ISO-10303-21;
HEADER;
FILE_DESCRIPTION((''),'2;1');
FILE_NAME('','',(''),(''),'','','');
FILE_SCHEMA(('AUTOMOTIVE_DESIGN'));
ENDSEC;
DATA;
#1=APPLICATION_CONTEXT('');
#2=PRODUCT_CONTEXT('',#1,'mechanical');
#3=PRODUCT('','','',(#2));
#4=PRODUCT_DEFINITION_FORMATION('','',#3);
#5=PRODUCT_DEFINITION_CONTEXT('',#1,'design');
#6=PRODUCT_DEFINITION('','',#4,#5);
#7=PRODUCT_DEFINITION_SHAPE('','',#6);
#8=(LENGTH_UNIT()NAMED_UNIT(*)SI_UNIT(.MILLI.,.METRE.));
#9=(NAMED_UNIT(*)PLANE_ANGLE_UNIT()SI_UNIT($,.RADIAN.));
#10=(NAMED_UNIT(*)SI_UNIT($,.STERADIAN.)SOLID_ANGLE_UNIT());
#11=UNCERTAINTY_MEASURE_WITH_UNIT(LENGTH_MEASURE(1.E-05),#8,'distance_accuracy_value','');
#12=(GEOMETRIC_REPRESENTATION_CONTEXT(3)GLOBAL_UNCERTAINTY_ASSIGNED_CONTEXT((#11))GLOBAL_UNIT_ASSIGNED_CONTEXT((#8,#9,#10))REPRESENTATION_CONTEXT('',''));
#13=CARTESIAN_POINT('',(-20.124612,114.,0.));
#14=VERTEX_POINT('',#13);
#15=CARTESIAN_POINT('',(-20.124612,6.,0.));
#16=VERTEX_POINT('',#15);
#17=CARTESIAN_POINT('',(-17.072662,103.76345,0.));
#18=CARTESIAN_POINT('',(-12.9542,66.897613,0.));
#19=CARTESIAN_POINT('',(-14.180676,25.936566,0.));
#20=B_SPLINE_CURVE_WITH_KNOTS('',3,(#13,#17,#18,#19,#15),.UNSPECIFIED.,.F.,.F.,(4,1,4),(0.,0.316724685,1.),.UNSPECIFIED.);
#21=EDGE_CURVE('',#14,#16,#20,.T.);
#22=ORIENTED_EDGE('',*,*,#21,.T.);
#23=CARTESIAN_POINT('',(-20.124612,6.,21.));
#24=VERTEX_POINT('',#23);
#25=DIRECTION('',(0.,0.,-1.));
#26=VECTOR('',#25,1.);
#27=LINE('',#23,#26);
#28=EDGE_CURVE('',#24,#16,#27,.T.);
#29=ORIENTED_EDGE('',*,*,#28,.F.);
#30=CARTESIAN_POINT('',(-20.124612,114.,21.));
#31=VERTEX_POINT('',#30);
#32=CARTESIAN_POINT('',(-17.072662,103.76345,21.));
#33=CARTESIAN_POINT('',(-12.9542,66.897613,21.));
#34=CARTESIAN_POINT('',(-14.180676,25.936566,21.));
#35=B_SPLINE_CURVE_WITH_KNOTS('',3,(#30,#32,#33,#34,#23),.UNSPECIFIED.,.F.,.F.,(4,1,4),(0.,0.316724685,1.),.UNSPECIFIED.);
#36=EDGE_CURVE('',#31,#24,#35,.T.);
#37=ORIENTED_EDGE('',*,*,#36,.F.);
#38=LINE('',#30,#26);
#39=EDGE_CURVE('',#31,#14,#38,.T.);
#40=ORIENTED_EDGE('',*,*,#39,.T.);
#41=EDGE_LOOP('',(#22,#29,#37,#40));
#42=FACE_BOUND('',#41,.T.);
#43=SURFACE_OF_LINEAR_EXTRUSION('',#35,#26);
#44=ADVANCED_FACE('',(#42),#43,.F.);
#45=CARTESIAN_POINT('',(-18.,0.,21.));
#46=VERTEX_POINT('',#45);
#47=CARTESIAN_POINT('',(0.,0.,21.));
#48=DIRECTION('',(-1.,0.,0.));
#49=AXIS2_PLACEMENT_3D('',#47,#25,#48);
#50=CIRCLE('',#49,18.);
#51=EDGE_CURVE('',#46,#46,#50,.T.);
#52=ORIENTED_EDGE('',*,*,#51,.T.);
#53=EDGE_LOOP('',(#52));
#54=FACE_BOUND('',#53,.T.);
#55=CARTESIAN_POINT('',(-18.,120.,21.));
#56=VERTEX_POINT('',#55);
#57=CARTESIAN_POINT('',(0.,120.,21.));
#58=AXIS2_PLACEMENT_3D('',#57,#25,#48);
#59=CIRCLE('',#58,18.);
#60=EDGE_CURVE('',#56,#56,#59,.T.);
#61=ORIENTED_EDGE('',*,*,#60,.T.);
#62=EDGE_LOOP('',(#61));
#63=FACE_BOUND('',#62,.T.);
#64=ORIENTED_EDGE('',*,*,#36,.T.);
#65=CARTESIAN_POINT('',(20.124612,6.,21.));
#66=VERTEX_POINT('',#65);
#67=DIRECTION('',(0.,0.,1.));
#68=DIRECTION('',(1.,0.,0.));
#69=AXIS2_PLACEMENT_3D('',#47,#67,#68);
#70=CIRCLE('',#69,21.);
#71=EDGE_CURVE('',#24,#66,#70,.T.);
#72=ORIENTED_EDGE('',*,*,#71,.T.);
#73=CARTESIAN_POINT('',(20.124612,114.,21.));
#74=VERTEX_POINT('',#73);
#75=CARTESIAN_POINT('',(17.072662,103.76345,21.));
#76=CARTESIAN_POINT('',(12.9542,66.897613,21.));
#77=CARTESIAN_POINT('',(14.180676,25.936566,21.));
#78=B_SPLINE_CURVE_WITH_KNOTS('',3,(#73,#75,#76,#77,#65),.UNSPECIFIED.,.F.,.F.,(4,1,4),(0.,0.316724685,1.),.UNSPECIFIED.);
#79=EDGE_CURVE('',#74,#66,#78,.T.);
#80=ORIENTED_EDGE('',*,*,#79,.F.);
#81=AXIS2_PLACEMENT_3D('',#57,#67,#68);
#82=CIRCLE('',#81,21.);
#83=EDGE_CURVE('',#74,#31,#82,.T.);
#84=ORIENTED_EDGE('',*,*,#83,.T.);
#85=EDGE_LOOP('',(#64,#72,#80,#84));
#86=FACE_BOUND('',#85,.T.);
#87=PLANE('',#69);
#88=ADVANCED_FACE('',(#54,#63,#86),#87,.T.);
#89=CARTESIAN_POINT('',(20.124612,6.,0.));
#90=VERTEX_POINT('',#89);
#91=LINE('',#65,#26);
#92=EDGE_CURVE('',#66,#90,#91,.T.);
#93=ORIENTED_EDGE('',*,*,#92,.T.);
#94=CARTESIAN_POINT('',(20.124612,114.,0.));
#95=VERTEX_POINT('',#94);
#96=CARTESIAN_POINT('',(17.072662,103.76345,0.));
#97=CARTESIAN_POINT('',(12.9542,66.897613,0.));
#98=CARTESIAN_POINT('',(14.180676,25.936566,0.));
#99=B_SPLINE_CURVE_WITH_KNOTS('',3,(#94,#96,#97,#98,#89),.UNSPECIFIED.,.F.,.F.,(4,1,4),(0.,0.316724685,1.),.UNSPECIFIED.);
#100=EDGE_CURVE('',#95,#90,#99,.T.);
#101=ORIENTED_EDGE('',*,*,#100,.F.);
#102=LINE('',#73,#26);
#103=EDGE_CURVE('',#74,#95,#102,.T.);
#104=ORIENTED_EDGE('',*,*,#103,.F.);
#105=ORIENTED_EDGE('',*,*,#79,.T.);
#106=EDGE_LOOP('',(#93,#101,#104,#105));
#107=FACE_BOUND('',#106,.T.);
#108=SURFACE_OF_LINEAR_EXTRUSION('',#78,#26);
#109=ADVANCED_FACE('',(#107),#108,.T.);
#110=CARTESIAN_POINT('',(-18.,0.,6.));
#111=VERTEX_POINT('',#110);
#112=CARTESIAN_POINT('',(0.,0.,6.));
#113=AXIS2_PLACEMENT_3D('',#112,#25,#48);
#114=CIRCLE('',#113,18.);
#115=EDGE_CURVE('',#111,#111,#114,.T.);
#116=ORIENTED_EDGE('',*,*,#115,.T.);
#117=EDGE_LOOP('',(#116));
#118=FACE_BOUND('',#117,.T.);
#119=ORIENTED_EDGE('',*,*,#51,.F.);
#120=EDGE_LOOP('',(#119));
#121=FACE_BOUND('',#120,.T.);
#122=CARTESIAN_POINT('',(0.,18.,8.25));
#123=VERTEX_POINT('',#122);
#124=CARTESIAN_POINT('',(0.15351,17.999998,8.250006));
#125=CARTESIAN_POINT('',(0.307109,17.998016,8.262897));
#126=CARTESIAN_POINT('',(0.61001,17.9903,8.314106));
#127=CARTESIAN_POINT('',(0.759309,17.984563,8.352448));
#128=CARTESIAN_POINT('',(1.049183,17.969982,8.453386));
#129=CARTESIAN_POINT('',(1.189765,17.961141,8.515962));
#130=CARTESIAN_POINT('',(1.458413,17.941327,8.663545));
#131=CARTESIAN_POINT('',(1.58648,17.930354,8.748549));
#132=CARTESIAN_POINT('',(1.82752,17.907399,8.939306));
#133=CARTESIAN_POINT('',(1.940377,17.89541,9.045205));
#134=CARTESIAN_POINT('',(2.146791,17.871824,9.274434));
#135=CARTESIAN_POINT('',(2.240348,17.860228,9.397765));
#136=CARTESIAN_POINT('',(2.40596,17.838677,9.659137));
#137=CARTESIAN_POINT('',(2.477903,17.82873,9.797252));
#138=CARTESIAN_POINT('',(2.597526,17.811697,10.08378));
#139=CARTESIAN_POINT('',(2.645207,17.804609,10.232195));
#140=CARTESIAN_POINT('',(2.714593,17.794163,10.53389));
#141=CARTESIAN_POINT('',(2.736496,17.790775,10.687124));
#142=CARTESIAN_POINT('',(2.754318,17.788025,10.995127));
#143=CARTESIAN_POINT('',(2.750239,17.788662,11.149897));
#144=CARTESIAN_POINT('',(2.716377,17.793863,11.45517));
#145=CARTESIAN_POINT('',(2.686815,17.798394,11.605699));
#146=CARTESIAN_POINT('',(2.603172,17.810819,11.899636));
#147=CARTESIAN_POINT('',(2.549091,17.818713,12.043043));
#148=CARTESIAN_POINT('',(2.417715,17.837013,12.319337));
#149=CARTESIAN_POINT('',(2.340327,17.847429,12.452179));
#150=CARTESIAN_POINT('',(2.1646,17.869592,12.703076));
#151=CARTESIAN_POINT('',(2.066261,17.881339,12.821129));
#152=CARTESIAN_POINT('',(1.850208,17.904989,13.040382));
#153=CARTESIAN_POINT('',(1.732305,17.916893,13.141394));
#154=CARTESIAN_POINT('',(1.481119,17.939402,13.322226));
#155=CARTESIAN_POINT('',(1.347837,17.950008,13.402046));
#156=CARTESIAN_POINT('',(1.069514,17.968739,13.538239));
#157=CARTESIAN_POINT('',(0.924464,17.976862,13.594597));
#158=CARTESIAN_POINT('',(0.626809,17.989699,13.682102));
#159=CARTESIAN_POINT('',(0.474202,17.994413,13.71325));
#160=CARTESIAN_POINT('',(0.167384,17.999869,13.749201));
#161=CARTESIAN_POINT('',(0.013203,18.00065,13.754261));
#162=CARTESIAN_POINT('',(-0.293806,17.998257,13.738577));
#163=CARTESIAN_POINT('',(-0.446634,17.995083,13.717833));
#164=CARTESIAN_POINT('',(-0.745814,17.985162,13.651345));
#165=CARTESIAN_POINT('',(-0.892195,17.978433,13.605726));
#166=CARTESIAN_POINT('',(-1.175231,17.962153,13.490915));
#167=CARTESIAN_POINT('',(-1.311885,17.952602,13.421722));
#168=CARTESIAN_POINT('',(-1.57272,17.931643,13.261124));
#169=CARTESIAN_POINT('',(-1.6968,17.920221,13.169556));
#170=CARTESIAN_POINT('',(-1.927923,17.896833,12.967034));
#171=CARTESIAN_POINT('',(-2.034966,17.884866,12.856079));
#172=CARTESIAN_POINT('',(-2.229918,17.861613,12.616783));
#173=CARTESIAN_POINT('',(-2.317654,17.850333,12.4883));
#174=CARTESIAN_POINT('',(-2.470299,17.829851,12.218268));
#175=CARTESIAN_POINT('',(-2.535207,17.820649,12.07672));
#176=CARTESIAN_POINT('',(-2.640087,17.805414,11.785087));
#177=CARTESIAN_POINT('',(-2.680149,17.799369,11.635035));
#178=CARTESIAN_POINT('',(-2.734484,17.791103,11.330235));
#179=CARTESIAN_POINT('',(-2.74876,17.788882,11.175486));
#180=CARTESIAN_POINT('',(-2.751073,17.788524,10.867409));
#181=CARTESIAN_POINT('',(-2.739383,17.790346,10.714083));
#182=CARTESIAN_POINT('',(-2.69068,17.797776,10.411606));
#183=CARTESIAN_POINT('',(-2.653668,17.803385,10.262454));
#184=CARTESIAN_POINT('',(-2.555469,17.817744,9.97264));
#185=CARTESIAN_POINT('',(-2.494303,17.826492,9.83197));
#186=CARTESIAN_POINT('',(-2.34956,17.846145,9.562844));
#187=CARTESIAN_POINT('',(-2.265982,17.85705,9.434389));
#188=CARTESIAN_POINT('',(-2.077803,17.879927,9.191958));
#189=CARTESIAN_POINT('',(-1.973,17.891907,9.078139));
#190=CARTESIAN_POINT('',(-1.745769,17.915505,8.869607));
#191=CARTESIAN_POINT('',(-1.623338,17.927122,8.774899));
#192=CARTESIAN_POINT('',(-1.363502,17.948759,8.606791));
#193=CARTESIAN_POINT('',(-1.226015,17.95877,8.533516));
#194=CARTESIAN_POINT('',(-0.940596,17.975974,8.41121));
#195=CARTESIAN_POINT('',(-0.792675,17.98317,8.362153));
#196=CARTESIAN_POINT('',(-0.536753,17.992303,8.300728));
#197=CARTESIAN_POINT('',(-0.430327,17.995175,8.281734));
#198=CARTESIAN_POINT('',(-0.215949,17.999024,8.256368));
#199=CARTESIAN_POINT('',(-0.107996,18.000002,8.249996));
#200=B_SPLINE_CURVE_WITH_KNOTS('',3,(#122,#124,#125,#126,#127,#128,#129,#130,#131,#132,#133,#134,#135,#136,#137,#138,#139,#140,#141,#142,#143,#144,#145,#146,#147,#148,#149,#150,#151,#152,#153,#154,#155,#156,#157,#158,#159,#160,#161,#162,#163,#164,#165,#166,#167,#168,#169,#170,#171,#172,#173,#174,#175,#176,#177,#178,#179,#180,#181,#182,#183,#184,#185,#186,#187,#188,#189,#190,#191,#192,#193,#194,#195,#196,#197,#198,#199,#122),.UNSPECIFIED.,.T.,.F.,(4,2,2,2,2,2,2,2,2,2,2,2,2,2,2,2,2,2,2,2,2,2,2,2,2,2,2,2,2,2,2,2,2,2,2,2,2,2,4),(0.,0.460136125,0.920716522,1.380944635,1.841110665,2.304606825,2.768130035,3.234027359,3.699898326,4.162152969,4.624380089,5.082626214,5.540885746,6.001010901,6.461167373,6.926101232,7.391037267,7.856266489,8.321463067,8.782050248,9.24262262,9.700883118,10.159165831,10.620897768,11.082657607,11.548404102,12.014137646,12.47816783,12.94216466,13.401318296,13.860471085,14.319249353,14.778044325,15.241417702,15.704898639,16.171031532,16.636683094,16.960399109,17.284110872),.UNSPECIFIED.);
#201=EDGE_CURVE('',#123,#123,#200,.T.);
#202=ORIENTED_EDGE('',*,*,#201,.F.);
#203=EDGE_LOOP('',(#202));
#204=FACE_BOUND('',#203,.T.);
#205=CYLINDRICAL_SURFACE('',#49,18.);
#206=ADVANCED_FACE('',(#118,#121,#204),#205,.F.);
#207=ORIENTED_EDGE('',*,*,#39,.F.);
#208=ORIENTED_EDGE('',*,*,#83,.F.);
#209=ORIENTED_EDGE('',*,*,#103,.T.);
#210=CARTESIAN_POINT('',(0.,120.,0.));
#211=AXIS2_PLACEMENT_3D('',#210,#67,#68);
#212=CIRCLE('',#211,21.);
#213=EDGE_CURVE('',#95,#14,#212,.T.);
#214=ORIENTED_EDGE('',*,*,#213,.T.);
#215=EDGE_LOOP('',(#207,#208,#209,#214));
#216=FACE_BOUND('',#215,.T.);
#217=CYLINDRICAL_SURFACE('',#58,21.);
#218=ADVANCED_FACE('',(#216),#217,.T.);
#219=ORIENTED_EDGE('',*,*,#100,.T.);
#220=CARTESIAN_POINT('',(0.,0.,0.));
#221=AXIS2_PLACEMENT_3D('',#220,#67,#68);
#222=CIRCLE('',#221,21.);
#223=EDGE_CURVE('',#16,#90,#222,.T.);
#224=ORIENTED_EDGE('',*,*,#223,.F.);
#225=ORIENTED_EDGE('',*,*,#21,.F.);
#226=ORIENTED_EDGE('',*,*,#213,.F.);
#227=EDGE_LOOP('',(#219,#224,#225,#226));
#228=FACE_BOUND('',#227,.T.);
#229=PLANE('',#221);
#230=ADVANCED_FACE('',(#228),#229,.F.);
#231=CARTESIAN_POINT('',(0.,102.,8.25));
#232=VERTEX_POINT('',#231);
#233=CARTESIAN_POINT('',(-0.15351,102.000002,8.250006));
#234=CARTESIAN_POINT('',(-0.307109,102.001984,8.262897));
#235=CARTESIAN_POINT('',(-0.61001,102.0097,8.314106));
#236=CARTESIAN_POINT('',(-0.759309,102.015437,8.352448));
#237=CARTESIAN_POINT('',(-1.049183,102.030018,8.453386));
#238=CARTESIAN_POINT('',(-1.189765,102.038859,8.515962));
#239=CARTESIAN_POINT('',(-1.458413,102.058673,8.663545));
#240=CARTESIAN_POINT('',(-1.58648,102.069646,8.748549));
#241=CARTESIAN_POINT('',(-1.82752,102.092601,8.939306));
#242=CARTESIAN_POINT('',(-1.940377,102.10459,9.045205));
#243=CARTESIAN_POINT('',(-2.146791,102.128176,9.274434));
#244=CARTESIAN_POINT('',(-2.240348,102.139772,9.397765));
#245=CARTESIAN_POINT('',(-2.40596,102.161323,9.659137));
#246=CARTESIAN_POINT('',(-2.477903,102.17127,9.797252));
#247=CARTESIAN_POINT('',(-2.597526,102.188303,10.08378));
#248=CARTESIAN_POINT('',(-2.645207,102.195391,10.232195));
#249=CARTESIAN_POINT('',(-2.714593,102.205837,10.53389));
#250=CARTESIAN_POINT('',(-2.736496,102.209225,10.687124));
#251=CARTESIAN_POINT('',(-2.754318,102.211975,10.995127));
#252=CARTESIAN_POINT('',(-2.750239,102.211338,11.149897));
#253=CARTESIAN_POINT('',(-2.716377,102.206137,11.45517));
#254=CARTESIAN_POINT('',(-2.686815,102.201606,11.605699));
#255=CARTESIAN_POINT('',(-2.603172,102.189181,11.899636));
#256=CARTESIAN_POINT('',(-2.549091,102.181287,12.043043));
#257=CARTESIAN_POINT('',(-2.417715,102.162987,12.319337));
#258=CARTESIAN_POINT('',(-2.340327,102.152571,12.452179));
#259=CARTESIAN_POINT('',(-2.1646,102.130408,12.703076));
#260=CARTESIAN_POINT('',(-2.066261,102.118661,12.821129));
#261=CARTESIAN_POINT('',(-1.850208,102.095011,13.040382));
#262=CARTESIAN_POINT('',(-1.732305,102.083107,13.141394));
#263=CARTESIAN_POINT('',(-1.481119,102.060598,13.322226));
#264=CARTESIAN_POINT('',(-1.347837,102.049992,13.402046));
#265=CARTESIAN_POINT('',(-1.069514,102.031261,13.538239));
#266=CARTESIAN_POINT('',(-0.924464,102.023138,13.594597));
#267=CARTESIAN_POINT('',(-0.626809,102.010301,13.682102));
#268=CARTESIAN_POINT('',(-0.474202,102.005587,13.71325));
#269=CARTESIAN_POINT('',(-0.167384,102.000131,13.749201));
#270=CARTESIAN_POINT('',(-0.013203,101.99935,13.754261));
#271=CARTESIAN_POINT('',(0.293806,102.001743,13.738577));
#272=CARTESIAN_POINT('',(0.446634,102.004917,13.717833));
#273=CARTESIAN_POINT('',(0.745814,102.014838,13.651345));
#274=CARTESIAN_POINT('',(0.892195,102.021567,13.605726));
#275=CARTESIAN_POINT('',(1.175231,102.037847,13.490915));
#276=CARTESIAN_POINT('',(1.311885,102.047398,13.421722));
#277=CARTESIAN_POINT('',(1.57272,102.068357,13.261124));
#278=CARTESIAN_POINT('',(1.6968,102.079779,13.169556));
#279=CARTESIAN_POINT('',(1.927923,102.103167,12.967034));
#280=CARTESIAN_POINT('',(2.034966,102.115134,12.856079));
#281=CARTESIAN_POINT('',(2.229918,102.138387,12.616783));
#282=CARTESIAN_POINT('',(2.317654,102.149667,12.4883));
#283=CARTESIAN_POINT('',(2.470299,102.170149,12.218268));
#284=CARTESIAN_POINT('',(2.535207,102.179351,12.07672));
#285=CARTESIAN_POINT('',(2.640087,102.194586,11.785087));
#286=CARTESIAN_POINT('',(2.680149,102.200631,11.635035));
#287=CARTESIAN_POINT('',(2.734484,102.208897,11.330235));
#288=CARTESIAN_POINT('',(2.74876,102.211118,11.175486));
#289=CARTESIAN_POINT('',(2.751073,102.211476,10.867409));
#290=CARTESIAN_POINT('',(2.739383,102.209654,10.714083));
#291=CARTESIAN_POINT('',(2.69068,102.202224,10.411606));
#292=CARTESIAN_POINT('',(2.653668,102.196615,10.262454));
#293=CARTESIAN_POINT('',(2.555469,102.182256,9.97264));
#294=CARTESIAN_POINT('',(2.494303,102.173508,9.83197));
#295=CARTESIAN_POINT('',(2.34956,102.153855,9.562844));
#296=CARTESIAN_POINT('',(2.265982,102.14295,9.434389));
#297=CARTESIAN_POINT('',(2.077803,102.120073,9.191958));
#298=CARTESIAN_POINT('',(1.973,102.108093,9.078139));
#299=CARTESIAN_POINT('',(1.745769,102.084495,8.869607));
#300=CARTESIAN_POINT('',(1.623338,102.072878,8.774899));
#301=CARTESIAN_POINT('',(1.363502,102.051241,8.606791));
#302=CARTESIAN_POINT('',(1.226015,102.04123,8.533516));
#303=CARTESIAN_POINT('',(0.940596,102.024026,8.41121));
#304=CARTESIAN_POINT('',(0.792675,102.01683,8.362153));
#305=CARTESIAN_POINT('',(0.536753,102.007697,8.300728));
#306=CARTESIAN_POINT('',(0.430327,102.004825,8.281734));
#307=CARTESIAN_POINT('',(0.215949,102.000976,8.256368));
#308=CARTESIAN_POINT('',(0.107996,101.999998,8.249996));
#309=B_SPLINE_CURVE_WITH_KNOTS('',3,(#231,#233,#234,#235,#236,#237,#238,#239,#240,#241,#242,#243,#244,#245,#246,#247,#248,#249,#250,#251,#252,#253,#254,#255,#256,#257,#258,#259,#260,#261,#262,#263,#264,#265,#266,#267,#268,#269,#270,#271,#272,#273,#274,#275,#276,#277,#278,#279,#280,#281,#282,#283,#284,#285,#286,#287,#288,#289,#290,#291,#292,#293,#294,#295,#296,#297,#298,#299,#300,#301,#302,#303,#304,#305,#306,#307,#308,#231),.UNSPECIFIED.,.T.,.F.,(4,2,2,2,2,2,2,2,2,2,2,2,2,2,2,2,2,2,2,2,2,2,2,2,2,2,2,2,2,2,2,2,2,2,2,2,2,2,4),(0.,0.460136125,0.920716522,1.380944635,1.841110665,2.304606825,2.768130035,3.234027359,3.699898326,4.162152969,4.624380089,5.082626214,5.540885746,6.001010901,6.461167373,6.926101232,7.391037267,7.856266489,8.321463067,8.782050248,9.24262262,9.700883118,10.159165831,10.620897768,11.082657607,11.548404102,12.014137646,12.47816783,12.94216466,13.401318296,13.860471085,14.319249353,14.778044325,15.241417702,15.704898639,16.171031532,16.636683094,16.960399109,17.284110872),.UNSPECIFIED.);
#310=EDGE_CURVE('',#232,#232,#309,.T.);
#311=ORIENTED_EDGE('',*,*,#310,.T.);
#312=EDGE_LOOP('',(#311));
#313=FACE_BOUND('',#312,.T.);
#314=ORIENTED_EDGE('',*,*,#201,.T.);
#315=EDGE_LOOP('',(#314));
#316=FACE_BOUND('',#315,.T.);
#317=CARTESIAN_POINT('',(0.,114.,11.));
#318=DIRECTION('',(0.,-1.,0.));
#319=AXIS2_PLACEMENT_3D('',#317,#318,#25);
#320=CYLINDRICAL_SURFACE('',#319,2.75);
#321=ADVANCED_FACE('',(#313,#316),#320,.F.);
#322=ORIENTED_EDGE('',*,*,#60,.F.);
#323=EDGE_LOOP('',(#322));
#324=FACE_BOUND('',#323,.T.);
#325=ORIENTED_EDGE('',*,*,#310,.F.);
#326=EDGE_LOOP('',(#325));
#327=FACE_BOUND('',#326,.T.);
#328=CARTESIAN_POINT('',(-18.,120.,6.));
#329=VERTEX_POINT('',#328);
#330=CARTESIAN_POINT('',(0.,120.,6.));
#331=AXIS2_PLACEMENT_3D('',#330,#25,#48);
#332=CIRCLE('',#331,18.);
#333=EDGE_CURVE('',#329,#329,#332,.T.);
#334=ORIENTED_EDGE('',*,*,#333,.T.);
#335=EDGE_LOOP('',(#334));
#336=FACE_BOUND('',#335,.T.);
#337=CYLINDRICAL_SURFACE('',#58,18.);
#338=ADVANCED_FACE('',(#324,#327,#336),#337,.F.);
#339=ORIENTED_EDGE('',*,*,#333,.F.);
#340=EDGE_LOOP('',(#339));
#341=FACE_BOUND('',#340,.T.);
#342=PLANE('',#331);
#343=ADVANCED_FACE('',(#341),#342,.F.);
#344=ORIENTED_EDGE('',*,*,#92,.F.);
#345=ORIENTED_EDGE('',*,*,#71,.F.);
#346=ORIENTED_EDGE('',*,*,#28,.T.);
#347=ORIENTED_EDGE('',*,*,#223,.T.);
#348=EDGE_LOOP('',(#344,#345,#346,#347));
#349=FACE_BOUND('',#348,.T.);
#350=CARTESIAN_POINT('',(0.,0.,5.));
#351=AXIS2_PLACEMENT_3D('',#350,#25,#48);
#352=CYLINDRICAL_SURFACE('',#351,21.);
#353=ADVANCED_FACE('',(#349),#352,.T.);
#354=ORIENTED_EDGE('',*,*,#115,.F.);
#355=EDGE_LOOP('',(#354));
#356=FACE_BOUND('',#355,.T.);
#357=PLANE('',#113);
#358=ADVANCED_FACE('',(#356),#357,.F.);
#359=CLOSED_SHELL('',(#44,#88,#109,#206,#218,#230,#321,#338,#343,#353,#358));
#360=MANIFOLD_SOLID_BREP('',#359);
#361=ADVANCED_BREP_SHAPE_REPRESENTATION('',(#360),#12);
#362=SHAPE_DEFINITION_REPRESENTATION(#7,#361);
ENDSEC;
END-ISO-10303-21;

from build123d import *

# Parameters (mm, degrees)
SKETCH1_R             = 21
BOSS_EXTRUDE2_DEPTH   = 5
BOSS_EXTRUDE2_2_DEPTH = 5
BOSS_EXTRUDE5_DEPTH   = 16
SKETCH8_R             = 18
CUT_EXTRUDE3_DEPTH    = 144.342247908
BOSS_EXTRUDE6_START   = 5
BOSS_EXTRUDE6_DEPTH   = 5
SKETCH10_R            = 2.75
CUT_EXTRUDE4_DEPTH    = 114


with BuildPart() as part:
    # Sketch1 → Boss-Extrude2 (new body)
    with BuildSketch(Plane.XY):
        with Locations((0, 120)):
            Circle(SKETCH1_R)
    extrude(amount=BOSS_EXTRUDE2_DEPTH)



with BuildPart() as body_2:
    # Sketch1 → Boss-Extrude2 2 (new body)
    with BuildSketch(Plane.XY):
        Circle(SKETCH1_R)
    extrude(amount=BOSS_EXTRUDE2_2_DEPTH)


with BuildPart() as part_1:
    add(part.part)

    add(body_2.part)  # Boss-Extrude5 merges body 2
    # Sketch5 → Boss-Extrude5 (add)
    with BuildSketch(Plane.XY.offset(5)):
        with BuildLine():
            add(Edge.make_bspline(
                [(-20.124611797, 114), (-17.072662318, 103.763450251), (-12.954200117, 66.897613413), (-14.18067636, 25.936565539), (-20.124611797, 6)],
                knots=[0, 0, 0, 0, 0.316724685, 1, 1, 1, 1], degree=3))
            ThreePointArc((-20.124611797, 6), (0, -21), (20.124611797, 6))
            add(Edge.make_bspline(
                [(20.124611797, 114), (17.072662318, 103.763450251), (12.954200117, 66.897613413), (14.18067636, 25.936565539), (20.124611797, 6)],
                knots=[0, 0, 0, 0, 0.316724685, 1, 1, 1, 1], degree=3))
            ThreePointArc((20.124611797, 114), (0, 141), (-20.124611797, 114))
        make_face()
    extrude(amount=BOSS_EXTRUDE5_DEPTH)

    # Sketch8 → Cut-Extrude3 (cut, through all)
    with BuildSketch(Plane(origin=(0, 0, 6), x_dir=(-1, 0, 0), z_dir=(0, 0, -1))):
        with Locations((0, 120)):
            Circle(SKETCH8_R)
        Circle(SKETCH8_R)
    extrude(amount=-CUT_EXTRUDE3_DEPTH, mode=Mode.SUBTRACT)

    # Sketch9 → Boss-Extrude6 (add)
    with BuildSketch(Plane(origin=(0, 0, 5), x_dir=(-1, 0, 0), z_dir=(0, 0, -1)).offset(BOSS_EXTRUDE6_START)):
        with BuildLine():
            ThreePointArc((-20.124611797, 114), (0, 99), (20.124611797, 114))
            add(Edge.make_bspline(
                [(20.124611797, 6), (14.18067636, 25.936565539), (12.954200117, 66.897613413), (17.072662318, 103.763450251), (20.124611797, 114)],
                knots=[0, 0, 0, 0, 0.683275315, 1, 1, 1, 1], degree=3))
            ThreePointArc((20.124611797, 6), (0, 21), (-20.124611797, 6))
            add(Edge.make_bspline(
                [(-20.124611797, 114), (-17.072662318, 103.763450251), (-12.954200117, 66.897613413), (-14.18067636, 25.936565539), (-20.124611797, 6)],
                knots=[0, 0, 0, 0, 0.316724685, 1, 1, 1, 1], degree=3))
        make_face()
    extrude(amount=-BOSS_EXTRUDE6_DEPTH)

    # Sketch10 → Cut-Extrude4 (cut)
    with BuildSketch(Plane(origin=(0, 0, 0), x_dir=(1, 0, 0), z_dir=(0, 1, 0))):
        with Locations(Location((0, -11, 0), (0, 0, 90))):
            Circle(SKETCH10_R)
    extrude(amount=CUT_EXTRUDE4_DEPTH, mode=Mode.SUBTRACT)


solid = part_1.part
